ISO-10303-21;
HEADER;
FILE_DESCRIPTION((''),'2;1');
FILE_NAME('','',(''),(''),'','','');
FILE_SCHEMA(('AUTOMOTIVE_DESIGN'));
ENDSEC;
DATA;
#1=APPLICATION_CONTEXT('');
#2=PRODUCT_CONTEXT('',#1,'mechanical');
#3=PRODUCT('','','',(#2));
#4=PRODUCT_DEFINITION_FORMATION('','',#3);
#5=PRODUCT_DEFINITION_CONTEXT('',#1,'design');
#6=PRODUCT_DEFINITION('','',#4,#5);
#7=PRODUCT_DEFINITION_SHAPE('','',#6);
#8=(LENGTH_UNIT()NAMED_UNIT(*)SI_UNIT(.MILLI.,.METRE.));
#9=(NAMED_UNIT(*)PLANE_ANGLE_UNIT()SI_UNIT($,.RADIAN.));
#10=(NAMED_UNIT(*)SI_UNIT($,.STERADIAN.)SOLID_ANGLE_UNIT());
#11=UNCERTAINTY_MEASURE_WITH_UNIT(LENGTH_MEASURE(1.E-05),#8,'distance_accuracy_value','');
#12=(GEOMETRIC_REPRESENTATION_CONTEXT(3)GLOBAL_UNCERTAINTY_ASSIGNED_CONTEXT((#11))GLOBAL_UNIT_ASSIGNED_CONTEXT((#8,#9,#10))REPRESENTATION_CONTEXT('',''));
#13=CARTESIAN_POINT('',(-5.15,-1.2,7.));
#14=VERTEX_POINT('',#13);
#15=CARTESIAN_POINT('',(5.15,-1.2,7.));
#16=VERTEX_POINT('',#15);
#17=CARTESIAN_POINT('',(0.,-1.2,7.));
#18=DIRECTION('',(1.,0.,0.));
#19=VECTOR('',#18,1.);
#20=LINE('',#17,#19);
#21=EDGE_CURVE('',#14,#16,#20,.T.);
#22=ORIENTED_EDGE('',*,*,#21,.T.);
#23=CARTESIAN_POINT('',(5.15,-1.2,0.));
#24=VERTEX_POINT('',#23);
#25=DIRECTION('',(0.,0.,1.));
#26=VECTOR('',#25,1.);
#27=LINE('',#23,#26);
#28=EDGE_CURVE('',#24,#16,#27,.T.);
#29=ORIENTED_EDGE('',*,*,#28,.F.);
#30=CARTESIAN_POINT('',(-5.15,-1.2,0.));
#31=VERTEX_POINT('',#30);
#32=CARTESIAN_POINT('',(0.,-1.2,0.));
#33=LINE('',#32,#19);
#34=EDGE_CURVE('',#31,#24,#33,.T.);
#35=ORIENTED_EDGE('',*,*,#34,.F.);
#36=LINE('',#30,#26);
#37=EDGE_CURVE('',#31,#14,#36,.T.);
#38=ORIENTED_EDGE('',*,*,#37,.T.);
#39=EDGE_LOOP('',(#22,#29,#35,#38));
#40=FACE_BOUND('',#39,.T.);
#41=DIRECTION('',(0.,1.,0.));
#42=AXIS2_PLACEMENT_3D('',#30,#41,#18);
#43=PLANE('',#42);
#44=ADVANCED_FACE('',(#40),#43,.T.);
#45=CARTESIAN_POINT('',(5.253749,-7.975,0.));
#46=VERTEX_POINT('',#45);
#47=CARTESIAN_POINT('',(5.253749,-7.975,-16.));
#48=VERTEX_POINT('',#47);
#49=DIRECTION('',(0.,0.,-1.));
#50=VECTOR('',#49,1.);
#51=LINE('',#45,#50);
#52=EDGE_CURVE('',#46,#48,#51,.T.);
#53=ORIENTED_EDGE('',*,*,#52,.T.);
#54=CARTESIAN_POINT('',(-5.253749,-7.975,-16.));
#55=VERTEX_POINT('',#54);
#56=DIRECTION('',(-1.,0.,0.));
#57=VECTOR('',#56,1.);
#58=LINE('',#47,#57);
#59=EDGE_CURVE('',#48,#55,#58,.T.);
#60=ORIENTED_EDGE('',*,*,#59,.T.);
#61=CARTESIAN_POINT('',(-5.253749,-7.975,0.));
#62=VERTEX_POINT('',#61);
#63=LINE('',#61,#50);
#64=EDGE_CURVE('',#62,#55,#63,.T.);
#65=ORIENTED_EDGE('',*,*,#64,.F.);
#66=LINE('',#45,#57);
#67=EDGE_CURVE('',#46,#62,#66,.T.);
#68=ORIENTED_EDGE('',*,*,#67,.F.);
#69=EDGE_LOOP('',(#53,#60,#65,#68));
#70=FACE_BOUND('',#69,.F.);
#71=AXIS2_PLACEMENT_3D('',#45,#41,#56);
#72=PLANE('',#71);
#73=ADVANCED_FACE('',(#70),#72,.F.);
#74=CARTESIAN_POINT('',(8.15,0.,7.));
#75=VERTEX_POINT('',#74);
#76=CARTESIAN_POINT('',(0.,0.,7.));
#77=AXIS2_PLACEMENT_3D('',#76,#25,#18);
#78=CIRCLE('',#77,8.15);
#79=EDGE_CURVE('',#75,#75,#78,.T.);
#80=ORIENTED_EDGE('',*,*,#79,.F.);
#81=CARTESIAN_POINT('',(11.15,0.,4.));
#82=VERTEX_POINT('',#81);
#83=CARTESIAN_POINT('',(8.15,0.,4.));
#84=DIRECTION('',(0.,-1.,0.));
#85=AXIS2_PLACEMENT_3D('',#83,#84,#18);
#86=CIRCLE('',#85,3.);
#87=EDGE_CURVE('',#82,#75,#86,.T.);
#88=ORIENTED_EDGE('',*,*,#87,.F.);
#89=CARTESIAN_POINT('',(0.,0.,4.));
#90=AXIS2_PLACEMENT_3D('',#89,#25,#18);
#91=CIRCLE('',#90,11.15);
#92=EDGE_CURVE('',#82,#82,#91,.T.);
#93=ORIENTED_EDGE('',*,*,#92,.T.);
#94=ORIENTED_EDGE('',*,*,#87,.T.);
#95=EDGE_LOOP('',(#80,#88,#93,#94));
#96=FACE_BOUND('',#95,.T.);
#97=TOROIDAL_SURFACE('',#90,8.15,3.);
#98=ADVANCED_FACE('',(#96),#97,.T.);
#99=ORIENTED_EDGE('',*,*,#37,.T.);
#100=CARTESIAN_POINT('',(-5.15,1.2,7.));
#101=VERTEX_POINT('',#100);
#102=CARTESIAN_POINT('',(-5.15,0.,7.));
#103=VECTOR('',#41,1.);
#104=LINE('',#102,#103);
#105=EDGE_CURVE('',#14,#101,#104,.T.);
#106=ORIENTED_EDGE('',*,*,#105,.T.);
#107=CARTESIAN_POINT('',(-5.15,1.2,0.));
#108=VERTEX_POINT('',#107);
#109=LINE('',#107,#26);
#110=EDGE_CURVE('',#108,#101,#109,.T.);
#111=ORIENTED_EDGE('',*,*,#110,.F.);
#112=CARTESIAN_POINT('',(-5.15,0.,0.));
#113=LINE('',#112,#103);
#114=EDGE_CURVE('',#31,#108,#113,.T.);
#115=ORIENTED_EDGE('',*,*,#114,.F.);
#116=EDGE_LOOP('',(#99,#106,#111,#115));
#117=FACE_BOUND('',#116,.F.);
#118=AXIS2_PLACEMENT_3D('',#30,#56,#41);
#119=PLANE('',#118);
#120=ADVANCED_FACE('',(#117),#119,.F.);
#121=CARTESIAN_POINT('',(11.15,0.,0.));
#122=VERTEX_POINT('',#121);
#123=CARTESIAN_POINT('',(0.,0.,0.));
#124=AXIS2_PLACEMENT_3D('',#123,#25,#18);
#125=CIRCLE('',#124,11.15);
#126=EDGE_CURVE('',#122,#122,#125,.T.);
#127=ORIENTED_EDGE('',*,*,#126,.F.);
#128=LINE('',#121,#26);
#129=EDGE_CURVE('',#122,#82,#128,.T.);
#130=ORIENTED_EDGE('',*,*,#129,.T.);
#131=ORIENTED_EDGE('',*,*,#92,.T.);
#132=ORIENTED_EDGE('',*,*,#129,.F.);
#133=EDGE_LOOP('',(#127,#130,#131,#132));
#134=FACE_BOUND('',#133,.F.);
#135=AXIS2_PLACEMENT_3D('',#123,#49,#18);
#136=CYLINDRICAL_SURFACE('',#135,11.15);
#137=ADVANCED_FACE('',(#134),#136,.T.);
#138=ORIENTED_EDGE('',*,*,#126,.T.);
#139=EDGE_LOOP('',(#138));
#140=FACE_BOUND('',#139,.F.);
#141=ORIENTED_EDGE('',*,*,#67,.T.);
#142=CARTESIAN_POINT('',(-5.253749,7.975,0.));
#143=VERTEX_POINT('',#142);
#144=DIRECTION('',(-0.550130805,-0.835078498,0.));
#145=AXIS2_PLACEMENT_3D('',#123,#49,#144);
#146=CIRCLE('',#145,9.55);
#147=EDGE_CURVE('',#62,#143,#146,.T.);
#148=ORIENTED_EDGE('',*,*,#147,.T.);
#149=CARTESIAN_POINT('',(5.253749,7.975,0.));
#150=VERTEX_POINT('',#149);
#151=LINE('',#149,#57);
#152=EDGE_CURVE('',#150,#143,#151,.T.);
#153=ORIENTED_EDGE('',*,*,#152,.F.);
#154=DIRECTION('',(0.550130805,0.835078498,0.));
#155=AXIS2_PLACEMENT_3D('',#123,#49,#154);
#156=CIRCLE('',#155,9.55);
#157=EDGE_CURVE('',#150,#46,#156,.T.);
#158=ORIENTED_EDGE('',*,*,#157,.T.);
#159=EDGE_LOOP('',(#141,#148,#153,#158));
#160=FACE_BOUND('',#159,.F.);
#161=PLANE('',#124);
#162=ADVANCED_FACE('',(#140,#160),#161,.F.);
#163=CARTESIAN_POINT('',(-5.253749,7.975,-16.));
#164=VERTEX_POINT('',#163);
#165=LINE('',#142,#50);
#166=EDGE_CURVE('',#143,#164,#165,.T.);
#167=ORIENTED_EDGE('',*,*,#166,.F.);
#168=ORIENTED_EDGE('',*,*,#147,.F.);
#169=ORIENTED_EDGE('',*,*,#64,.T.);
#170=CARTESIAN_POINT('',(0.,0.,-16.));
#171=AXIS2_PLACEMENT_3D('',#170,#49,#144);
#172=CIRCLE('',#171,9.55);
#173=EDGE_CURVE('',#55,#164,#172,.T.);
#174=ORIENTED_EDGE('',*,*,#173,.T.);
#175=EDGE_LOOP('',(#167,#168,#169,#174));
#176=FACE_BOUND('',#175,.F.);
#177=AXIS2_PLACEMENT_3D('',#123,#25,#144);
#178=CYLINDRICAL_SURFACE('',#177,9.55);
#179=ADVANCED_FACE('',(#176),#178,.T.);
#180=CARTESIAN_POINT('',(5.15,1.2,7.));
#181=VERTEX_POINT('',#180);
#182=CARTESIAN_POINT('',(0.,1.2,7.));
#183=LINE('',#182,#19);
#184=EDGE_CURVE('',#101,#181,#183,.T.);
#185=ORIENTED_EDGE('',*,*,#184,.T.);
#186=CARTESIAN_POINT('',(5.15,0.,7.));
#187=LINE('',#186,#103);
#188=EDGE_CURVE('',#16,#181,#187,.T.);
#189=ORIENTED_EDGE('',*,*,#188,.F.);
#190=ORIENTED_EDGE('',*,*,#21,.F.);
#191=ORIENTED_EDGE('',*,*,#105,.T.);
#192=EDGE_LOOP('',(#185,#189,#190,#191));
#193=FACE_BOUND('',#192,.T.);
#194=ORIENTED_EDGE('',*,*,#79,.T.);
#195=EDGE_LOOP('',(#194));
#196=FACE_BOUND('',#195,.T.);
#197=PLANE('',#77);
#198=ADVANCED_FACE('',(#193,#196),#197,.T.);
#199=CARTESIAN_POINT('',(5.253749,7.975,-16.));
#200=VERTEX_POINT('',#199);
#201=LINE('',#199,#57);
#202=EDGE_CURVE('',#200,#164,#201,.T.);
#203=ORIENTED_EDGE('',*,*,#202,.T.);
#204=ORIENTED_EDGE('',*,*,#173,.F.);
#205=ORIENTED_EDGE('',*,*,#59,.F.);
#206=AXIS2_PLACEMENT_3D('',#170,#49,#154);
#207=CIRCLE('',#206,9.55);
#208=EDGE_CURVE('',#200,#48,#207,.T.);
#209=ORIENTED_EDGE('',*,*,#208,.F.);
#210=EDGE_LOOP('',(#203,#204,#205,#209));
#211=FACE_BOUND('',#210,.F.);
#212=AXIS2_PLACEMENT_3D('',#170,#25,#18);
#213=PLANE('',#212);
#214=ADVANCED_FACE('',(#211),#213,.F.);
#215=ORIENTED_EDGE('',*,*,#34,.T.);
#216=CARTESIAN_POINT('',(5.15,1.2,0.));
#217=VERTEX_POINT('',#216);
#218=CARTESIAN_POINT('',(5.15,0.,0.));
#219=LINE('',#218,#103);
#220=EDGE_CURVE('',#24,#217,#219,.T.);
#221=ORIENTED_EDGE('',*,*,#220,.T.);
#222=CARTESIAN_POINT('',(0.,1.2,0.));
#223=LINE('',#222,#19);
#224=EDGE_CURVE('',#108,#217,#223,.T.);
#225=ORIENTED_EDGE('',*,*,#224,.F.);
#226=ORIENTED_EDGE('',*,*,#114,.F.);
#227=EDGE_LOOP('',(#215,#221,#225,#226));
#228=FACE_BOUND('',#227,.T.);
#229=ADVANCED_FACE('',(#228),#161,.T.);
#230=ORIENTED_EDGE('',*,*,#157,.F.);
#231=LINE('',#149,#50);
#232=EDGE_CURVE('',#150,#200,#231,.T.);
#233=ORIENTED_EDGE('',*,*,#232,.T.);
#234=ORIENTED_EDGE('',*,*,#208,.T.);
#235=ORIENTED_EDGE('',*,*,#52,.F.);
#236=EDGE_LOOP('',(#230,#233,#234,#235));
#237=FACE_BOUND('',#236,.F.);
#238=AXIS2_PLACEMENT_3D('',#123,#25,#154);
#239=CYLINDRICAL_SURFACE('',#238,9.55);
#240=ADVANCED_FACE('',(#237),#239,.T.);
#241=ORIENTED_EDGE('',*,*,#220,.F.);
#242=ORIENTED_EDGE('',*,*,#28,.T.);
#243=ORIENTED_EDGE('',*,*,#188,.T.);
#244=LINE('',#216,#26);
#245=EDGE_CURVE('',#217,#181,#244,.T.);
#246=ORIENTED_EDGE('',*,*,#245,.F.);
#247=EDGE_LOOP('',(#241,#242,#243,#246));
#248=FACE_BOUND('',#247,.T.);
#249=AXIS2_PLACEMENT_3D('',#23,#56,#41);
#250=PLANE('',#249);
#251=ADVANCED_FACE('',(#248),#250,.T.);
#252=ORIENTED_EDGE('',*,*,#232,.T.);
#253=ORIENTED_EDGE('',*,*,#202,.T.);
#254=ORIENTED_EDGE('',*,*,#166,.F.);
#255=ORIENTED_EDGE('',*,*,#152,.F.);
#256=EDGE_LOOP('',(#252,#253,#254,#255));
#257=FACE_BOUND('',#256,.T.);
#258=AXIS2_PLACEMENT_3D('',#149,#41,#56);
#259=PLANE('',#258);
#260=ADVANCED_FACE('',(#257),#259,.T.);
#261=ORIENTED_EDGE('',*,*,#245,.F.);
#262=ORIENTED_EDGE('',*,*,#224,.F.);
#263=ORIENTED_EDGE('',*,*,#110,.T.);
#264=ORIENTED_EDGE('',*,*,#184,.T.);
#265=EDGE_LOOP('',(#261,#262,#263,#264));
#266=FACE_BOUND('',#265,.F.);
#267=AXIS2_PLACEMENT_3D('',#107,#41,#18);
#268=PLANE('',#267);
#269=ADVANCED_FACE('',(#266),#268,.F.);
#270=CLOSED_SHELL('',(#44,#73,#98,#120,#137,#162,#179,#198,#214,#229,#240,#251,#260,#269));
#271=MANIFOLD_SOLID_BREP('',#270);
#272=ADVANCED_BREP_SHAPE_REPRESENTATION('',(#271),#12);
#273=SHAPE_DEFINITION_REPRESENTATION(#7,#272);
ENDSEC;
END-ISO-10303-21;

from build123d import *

# Parameters (mm, degrees)
SKETCH025_R  = 11.15
SKETCH025_W  = 10.3
SKETCH025_H  = 2.4
PAD081_DEPTH = 7
PAD083_DEPTH = 16
FILLET005_R  = 3


with BuildPart() as part:
    # Sketch025 → Pad081 (new body)
    with BuildSketch(Plane.XY):
        Circle(SKETCH025_R)
        Rectangle(SKETCH025_W, SKETCH025_H, mode=Mode.SUBTRACT)
    extrude(amount=PAD081_DEPTH)

    # Sketch026 → Pad083 (join)
    with BuildSketch(Plane(origin=(0, 0, 0), x_dir=(-1, 0, 0), z_dir=(0, 0, -1))):
        with BuildLine():
            Line((-5.253749, 7.975), (5.253749, 7.975))
            ThreePointArc((5.253749, -7.975), (9.55, 0), (5.253749, 7.975))
            Line((-5.253749, -7.975), (5.253749, -7.975))
            ThreePointArc((-5.253749, 7.975), (-9.55, 0), (-5.253749, -7.975))
        make_face()
    extrude(amount=PAD083_DEPTH)

    # Fillet005
    fillet005_edges = [part.edges().sort_by_distance(p)[0] for p in [
        (-11.15, 0, 7),
    ]]
    fillet(fillet005_edges, radius=FILLET005_R)


solid = part.part
